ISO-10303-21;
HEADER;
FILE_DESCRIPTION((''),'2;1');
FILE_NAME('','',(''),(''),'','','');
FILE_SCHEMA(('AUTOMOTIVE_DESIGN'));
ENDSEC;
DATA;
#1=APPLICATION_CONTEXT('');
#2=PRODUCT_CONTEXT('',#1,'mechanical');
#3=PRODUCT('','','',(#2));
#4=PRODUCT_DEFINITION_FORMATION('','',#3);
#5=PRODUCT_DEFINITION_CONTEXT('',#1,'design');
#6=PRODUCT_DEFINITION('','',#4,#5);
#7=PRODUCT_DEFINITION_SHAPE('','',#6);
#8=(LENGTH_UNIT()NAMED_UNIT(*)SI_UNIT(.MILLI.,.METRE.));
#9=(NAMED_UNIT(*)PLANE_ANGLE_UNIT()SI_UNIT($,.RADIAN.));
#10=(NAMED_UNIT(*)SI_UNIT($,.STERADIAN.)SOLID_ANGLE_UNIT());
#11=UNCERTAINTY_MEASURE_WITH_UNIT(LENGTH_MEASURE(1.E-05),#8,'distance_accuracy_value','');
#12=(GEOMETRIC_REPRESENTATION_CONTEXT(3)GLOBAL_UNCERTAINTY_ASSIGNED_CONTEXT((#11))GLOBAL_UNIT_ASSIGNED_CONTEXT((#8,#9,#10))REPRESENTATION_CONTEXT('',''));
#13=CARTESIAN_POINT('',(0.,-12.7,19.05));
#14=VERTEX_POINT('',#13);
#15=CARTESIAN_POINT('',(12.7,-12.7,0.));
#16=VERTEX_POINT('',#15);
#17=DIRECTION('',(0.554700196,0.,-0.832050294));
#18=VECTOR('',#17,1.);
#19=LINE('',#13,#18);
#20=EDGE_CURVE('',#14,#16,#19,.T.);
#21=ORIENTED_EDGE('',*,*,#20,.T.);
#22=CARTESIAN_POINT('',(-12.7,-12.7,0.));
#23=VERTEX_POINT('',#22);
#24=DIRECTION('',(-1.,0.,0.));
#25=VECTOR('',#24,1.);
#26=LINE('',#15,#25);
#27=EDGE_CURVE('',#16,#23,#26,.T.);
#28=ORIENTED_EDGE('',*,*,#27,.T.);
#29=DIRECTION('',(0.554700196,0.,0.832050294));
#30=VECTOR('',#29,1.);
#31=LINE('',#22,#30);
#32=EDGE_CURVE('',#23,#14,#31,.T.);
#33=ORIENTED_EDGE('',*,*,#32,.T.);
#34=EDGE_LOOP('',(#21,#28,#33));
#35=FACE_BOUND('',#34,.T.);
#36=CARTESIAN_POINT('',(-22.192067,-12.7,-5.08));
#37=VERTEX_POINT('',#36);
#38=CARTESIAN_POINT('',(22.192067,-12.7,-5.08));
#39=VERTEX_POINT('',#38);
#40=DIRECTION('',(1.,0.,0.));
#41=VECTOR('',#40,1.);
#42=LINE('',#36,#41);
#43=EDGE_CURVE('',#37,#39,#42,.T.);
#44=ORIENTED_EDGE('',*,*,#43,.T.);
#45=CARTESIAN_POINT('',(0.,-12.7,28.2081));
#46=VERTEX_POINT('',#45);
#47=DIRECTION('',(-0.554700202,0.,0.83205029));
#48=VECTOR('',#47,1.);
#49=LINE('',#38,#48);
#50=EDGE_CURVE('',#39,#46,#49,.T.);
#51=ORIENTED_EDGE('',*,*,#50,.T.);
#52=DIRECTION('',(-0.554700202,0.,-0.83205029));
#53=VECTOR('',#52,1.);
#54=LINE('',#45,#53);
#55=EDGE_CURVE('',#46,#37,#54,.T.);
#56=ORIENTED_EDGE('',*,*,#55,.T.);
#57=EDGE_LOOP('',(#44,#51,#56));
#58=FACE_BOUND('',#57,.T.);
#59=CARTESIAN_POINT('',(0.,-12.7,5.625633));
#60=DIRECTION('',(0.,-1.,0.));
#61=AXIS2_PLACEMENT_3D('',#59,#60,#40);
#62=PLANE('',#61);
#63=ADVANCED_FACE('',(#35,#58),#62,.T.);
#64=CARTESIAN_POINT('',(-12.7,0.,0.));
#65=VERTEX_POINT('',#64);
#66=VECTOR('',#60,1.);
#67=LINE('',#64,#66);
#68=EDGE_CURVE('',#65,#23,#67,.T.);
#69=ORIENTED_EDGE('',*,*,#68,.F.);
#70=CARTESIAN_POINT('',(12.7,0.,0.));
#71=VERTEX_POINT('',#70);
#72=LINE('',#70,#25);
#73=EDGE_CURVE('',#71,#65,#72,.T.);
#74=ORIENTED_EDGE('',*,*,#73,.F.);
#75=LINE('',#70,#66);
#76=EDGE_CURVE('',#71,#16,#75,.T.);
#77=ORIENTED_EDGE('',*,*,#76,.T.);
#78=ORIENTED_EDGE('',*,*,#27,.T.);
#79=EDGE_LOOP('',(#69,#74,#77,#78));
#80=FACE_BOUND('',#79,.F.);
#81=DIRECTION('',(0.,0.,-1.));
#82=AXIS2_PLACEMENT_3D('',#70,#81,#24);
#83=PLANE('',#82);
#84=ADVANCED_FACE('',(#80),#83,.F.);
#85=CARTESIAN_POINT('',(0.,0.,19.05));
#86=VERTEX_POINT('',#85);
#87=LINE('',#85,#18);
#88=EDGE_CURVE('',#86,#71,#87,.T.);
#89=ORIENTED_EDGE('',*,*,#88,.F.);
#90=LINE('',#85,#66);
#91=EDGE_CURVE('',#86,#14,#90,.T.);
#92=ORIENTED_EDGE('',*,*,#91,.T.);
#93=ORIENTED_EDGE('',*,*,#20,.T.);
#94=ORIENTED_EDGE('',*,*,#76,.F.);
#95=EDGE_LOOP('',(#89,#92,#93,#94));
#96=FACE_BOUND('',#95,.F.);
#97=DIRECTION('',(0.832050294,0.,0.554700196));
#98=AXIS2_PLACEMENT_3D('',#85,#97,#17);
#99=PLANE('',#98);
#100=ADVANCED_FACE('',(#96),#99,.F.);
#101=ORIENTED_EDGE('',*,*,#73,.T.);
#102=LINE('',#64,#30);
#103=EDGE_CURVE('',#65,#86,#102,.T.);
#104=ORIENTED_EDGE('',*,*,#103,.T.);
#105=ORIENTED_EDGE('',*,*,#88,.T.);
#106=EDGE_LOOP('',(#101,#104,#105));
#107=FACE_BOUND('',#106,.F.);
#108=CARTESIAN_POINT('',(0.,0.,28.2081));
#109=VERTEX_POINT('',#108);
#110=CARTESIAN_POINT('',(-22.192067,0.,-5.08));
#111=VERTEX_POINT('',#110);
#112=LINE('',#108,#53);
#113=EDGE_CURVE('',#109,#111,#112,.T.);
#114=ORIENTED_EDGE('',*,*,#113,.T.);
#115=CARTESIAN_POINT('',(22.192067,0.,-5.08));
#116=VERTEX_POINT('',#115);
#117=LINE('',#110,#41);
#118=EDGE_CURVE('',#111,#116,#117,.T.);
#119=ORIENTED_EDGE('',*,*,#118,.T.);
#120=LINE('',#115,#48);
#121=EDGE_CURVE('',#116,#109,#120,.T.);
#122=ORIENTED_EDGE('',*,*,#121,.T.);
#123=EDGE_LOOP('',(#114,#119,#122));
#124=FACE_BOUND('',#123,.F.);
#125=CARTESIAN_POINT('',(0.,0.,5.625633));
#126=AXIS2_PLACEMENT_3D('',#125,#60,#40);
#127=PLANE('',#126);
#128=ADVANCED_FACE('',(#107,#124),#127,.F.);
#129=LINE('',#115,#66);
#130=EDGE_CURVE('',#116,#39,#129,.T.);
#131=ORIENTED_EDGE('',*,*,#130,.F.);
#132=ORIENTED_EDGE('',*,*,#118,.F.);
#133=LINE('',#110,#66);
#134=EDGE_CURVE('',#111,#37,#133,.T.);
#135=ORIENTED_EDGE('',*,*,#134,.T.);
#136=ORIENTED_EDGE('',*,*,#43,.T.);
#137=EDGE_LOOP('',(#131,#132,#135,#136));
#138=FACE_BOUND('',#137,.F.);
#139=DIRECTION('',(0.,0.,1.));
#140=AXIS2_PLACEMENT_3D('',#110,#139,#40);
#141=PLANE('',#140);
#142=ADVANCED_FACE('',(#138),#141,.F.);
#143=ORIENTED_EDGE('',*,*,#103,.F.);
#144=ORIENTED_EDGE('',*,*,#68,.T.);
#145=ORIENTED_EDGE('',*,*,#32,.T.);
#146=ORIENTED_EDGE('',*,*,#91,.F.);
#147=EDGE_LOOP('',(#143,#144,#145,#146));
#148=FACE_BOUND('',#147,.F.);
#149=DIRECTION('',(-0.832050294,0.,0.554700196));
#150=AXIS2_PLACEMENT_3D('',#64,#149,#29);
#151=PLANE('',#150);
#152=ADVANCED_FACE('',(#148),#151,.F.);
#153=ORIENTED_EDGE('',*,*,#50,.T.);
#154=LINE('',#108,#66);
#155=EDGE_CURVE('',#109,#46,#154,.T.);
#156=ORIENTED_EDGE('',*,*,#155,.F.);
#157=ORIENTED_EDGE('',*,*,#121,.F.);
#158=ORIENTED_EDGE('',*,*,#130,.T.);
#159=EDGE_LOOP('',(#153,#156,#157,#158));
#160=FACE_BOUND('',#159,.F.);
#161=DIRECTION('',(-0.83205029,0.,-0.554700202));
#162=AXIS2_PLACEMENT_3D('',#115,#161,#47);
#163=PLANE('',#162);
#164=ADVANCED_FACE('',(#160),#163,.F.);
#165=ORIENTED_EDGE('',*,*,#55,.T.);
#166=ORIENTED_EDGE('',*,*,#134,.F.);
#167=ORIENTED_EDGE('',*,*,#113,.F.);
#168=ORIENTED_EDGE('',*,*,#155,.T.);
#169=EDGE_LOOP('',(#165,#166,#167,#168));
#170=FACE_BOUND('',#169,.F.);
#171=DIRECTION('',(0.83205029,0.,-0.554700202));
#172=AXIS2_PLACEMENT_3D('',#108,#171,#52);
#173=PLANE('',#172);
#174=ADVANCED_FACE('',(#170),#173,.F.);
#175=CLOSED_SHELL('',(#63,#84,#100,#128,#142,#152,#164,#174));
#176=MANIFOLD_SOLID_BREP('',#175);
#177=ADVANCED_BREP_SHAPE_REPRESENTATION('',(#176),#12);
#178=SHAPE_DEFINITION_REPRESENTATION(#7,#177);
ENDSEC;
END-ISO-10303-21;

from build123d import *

# Parameters (mm, degrees)
F1_DEPTH = 12.7


with BuildPart() as f1:
    # F0 (on Front) → F1 (new body)
    with BuildSketch(Plane.XZ):
        Polygon((0, 28.2081), (-22.192067, -5.08), (0, -5.08), (22.192067, -5.08), align=None)
        Polygon((0, 0), (-12.7, 0), (0, 19.05), (12.7, 0), align=None, mode=Mode.SUBTRACT)
    extrude(amount=F1_DEPTH)


solid = f1.part
